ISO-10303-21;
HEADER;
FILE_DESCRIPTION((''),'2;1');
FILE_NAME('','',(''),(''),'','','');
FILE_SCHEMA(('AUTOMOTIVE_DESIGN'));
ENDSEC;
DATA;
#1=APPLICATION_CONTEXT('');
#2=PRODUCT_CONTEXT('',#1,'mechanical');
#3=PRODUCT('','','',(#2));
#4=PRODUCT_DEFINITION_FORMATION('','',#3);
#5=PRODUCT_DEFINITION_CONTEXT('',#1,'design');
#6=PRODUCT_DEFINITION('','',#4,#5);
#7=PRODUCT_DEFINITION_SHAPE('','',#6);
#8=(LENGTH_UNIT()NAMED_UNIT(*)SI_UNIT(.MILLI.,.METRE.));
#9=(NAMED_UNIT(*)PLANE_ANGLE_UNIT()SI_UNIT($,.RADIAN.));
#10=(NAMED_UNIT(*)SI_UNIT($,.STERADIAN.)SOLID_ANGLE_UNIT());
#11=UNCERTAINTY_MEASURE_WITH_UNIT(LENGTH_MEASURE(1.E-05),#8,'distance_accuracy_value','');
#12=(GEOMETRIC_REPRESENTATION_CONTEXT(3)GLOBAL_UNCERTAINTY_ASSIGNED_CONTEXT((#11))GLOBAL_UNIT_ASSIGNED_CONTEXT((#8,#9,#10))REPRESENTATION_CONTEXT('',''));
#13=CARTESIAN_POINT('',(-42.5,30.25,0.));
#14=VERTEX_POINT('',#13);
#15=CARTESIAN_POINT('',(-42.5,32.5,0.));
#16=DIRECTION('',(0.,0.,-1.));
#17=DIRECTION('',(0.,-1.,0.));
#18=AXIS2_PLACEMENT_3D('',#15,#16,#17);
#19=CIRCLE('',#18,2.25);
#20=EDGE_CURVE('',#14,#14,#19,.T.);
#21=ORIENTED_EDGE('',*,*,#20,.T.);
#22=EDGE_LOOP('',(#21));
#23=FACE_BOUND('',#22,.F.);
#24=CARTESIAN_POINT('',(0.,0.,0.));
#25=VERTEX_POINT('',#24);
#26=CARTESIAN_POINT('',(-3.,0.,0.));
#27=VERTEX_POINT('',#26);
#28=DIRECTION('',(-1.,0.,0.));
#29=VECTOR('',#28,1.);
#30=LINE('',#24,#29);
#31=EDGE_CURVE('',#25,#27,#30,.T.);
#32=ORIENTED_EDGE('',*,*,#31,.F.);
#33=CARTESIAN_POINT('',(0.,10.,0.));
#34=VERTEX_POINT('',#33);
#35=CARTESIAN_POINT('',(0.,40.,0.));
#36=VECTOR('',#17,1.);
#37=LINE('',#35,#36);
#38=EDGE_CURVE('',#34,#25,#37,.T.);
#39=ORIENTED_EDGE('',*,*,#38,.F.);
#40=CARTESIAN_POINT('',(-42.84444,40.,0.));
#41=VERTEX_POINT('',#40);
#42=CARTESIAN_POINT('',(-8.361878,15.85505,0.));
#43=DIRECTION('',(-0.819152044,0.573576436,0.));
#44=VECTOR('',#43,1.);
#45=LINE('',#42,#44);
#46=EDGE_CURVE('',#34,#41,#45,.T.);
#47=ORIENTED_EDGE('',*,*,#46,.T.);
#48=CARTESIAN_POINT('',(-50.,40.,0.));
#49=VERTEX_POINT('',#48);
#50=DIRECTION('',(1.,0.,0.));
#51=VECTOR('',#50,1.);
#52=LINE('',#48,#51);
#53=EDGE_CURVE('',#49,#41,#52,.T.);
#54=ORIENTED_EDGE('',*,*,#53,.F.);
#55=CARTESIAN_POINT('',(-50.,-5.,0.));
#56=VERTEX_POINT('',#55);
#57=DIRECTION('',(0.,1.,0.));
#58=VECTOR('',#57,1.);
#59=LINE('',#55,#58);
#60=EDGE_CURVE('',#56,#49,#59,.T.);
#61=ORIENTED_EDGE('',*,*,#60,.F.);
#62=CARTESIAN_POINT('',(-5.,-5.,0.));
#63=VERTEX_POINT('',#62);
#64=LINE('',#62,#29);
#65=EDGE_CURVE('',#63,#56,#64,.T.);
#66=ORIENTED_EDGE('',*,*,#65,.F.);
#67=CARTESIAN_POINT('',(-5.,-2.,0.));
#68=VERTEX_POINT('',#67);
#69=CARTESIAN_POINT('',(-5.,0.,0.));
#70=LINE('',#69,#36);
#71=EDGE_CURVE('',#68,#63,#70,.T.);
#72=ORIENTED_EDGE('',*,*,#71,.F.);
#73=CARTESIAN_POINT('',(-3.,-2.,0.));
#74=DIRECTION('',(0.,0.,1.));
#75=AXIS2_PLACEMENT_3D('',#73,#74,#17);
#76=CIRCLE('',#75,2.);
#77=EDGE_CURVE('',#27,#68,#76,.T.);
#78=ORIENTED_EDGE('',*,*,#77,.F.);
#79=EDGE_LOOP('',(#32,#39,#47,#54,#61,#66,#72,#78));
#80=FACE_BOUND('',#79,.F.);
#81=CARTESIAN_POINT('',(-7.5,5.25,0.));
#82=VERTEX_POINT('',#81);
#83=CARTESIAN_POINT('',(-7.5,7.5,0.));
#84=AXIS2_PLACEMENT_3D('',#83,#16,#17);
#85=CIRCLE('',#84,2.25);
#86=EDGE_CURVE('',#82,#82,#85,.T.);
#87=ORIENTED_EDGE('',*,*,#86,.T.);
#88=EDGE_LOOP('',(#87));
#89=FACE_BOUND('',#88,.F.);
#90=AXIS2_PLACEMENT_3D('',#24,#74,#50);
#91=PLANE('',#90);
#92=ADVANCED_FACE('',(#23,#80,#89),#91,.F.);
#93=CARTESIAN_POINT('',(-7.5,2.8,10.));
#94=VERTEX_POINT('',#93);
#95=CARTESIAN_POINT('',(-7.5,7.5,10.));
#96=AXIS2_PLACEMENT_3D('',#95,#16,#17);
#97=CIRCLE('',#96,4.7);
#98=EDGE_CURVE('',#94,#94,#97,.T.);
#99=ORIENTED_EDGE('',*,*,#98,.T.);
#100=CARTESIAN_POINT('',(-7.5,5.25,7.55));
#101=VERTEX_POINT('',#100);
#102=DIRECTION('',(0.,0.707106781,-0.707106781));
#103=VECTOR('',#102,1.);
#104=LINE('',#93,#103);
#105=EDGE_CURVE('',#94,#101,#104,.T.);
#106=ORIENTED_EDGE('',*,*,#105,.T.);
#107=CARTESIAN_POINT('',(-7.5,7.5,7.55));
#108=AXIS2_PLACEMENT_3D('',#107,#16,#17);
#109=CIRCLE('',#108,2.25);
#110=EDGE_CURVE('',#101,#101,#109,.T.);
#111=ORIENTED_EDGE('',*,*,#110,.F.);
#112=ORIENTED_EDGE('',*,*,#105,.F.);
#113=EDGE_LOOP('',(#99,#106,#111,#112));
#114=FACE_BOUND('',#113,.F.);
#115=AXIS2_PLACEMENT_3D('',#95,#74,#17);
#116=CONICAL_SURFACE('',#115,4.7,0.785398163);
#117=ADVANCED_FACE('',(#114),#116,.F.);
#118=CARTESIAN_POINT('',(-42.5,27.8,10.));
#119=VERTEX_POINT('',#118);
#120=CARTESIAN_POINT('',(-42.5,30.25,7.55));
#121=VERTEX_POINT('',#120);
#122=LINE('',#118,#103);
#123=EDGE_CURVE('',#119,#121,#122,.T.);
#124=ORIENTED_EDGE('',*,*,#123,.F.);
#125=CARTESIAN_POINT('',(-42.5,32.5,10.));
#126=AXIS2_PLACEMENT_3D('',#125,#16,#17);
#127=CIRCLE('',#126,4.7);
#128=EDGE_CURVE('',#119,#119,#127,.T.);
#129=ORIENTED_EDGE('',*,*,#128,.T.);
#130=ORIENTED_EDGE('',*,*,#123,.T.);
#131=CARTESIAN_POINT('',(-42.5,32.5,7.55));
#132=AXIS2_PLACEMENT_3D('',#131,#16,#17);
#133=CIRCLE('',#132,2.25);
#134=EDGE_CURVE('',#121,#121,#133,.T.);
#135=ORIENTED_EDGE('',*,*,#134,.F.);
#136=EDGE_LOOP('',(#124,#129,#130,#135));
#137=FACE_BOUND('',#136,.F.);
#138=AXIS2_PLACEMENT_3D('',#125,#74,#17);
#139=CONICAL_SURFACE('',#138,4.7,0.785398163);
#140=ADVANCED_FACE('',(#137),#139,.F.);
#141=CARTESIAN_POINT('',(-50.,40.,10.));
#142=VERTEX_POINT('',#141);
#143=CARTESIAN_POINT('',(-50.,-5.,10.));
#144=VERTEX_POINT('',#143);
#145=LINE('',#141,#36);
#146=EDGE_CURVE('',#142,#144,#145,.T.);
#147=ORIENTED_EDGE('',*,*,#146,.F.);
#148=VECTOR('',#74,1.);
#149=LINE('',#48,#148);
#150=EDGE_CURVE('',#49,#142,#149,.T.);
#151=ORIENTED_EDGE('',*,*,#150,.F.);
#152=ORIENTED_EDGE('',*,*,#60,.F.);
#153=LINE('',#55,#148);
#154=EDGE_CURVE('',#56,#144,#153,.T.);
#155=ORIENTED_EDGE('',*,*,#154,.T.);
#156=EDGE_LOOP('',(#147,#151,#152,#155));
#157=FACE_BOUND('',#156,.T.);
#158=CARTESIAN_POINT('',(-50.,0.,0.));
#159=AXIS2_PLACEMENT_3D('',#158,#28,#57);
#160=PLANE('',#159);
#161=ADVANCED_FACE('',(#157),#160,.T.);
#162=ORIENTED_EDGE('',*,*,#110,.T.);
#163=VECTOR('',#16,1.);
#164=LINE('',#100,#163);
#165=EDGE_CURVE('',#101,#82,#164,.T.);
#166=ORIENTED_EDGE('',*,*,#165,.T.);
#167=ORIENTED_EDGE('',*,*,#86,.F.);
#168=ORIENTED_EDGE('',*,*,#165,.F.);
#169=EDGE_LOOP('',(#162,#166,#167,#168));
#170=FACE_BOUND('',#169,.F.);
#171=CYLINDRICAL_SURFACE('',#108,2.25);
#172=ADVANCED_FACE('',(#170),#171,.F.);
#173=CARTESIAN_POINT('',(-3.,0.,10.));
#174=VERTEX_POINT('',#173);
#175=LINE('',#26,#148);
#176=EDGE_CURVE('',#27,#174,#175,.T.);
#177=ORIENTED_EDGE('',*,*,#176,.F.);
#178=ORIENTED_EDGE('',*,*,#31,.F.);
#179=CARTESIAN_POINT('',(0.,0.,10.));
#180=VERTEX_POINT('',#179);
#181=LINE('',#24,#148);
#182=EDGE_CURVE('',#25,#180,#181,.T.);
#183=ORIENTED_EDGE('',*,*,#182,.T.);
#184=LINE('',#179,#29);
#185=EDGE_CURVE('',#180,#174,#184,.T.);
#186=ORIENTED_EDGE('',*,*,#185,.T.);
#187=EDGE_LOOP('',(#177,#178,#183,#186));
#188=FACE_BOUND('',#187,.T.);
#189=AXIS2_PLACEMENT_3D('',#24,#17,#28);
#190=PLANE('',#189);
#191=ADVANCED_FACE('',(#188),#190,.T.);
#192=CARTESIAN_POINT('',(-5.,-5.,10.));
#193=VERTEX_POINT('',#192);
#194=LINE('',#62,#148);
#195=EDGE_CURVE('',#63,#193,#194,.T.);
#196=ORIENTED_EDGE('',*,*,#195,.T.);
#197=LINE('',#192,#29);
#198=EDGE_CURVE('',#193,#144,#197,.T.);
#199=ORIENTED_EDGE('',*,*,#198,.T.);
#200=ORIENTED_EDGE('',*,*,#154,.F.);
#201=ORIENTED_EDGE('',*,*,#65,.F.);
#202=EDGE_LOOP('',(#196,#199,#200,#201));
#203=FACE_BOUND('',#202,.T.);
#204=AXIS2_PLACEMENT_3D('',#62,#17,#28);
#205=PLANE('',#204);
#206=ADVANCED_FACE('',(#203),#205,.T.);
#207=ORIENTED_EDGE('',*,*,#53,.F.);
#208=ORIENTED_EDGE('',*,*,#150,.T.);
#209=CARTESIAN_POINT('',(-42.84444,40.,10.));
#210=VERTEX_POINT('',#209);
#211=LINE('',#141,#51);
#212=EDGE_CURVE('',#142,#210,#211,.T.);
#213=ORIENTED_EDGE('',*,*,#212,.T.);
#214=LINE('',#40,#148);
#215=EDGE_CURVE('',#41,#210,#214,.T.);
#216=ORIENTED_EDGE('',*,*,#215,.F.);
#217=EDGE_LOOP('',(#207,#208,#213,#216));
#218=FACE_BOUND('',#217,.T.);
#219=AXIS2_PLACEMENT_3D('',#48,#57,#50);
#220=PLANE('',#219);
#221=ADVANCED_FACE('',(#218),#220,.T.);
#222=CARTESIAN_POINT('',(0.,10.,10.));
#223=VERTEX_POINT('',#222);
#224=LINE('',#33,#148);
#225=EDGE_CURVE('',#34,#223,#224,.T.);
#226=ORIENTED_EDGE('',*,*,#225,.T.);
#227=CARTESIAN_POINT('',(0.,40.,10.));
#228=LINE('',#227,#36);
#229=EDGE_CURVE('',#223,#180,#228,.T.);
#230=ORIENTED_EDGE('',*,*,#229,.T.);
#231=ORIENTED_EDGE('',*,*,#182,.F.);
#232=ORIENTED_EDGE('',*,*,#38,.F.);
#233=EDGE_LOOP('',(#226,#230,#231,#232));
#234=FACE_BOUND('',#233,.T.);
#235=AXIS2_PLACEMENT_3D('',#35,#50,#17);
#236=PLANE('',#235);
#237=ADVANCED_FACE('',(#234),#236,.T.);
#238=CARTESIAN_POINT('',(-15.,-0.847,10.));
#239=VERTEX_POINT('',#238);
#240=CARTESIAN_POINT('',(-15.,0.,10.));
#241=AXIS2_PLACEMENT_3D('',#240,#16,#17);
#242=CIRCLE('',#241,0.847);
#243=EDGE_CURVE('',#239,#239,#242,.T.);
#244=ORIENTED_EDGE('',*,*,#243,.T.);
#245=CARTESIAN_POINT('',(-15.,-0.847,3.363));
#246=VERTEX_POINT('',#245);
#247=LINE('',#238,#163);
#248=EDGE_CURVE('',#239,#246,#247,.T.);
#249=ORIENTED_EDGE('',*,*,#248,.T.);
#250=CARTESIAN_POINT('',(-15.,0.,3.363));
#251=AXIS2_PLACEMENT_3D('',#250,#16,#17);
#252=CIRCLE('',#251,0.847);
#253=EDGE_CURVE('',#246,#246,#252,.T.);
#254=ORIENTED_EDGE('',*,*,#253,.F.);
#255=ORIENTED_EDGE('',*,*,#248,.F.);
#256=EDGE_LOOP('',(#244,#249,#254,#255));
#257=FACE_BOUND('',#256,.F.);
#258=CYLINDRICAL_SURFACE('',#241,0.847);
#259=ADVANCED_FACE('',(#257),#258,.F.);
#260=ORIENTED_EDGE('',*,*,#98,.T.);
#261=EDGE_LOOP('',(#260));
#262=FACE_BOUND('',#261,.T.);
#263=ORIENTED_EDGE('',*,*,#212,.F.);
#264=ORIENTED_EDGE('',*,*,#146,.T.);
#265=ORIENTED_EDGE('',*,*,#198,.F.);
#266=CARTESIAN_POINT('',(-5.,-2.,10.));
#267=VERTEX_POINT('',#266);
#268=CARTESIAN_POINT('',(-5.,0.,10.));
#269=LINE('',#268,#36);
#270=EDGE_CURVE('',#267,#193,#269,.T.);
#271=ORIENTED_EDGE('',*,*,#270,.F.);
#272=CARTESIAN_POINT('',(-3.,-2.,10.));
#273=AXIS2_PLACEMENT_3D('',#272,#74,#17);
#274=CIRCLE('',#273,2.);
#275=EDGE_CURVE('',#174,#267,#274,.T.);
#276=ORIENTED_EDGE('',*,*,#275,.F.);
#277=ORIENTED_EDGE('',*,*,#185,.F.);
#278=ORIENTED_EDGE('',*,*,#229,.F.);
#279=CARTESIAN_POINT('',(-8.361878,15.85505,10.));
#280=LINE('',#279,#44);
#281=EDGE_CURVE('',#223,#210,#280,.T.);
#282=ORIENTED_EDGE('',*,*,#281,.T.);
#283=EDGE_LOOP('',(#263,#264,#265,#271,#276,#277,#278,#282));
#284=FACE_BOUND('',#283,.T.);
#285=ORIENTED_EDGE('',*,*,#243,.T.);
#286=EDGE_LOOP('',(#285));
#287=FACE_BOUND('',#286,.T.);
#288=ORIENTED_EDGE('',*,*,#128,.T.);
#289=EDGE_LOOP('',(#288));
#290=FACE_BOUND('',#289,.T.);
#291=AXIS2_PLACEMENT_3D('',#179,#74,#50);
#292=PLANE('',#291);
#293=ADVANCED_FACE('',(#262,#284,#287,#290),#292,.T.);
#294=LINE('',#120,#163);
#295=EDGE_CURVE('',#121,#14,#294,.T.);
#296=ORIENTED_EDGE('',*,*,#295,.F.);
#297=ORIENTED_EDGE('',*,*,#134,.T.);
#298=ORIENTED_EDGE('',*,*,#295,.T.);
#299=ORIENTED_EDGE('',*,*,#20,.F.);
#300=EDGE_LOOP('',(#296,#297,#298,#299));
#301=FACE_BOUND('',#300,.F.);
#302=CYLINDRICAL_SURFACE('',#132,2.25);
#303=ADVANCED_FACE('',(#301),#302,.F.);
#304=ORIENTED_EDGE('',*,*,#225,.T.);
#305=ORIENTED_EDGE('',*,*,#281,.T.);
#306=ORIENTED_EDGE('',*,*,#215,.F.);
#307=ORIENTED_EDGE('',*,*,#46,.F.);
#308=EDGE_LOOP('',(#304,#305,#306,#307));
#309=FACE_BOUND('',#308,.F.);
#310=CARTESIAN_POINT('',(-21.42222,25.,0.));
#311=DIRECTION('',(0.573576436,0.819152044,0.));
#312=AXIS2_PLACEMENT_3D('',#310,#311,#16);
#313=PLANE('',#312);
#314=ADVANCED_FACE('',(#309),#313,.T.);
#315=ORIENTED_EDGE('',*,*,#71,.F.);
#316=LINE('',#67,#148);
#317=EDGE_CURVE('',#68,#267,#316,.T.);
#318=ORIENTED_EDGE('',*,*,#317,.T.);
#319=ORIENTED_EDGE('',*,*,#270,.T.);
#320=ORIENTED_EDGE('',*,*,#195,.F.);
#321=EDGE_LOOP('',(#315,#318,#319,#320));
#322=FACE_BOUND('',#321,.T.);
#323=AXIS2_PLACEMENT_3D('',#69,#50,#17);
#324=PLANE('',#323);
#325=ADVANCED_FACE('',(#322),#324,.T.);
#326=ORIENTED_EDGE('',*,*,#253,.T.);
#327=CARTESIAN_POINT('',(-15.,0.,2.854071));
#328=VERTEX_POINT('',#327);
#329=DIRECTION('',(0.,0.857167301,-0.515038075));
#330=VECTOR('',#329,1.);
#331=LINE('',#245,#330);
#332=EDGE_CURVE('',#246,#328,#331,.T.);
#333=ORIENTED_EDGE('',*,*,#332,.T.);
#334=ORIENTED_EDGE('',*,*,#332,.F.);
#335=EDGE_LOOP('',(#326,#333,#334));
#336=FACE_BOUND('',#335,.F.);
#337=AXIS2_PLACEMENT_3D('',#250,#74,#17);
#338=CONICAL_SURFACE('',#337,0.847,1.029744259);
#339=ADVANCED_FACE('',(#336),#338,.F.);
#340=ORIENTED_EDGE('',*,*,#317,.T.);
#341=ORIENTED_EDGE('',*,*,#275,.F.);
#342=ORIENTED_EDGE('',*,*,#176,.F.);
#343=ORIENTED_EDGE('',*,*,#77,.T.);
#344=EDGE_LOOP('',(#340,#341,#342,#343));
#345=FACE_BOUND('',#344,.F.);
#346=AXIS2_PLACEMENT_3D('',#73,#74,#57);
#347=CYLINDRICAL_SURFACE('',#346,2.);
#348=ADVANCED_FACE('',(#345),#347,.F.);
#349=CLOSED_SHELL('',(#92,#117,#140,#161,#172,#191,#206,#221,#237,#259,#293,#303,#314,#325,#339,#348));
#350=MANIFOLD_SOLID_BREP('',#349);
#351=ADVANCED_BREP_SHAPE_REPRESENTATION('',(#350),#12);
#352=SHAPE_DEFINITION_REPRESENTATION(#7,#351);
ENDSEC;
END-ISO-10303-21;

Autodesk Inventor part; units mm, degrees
ref_plane "YZ Plane" through (0, 0, 0) normal (1, 0, 0) x (0, 1, 0)
ref_plane "XZ Plane" through (0, 0, 0) normal (0, 1, 0) x (-1, 0, 0)
ref_plane "XY Plane" through (0, 0, 0) normal (0, 0, 1) x (1, 0, 0)
sketch "Sketch1" plane through (0, 0, 0) normal (0, 0, 1) x (1, 0, 0)
  line L0 (0, 0) -> (-50, 0)
  line L1 (-50, 40) -> (0, 40)
  line L2 (0, 40) -> (0, 0)
  line L3 (-50, 0) -> (-50, 40)
  line L4 (-50, 0) -> (-5, 0)
  line L5 (-5, 0) -> (-5, -5)
  line L6 (-5, -5) -> (-50, -5)
  line L7 (-50, -5) -> (-50, 0)
  dimension "d1" = 40
  dimension "d2" = 50
  dimension "d20" = 5
  dimension "d21" = 5
extrude "Extrusion1" add sketch "Sketch1" along normal blind 10
sketch "Sketch2" plane through (0, 0, 10) normal (0, 0, 1) x (1, 0, 0)
  line L0 (0, 40) -> (-50, 40) projected
  line L1 (0, 0) -> (0, 40) projected
  line L2 (-5, 0) -> (0, 0) projected
  line L3 (-50, 40) -> (-50, -5) projected
  point P0 (-42.5, 32.5)
  point P1 (-7.5, 7.5)
  point P2 (-50, 0)
  dimension "d5" = 7.5
  dimension "d7" = 7.5
  dimension "d15" = 7.5
  dimension "d16" = 7.5
hole "Hole1" at (-42.5, 32.5, 10) at (-7.5, 7.5, 10) direction (0, 0, -1) diameter 4.5 end through all countersink diameter 9.4 countersink angle 90 clearance for "Flat Head Machine Screw" size "M4" standard "Ansi Metric M Profile"
chamfer "Chamfer1" distance 30 angle 55 1 edges at (0, 40, 5) measured on face at (0, 26.6667, 3.3333)
fillet "Fillet1" radius 2 1 edges at (-5, 0, 5)
sketch "Sketch3" plane through (0, 0, 10) normal (0, 0, 1) x (1, 0, 0)
  line L0 (-50, -5) -> (-5, -5) projected
  line L1 (0, 0) -> (0, 10) projected
  point P0 (-15, 0)
  dimension "d23" = 5
  dimension "d24" = 15
hole "Hole2" at (-15, 0, 10) direction (0, 0, -1) diameter 1.694 depth 6.637 tip angle 118 thread size "2-56 UNC" class "2B" standard "ANSI Unified Screw Threads"
equation "\"d7\" = d5"
equation "\"d15\" = d16"
properties part number "Pancake_Side Piece Short" material "Wood (Birch)"
